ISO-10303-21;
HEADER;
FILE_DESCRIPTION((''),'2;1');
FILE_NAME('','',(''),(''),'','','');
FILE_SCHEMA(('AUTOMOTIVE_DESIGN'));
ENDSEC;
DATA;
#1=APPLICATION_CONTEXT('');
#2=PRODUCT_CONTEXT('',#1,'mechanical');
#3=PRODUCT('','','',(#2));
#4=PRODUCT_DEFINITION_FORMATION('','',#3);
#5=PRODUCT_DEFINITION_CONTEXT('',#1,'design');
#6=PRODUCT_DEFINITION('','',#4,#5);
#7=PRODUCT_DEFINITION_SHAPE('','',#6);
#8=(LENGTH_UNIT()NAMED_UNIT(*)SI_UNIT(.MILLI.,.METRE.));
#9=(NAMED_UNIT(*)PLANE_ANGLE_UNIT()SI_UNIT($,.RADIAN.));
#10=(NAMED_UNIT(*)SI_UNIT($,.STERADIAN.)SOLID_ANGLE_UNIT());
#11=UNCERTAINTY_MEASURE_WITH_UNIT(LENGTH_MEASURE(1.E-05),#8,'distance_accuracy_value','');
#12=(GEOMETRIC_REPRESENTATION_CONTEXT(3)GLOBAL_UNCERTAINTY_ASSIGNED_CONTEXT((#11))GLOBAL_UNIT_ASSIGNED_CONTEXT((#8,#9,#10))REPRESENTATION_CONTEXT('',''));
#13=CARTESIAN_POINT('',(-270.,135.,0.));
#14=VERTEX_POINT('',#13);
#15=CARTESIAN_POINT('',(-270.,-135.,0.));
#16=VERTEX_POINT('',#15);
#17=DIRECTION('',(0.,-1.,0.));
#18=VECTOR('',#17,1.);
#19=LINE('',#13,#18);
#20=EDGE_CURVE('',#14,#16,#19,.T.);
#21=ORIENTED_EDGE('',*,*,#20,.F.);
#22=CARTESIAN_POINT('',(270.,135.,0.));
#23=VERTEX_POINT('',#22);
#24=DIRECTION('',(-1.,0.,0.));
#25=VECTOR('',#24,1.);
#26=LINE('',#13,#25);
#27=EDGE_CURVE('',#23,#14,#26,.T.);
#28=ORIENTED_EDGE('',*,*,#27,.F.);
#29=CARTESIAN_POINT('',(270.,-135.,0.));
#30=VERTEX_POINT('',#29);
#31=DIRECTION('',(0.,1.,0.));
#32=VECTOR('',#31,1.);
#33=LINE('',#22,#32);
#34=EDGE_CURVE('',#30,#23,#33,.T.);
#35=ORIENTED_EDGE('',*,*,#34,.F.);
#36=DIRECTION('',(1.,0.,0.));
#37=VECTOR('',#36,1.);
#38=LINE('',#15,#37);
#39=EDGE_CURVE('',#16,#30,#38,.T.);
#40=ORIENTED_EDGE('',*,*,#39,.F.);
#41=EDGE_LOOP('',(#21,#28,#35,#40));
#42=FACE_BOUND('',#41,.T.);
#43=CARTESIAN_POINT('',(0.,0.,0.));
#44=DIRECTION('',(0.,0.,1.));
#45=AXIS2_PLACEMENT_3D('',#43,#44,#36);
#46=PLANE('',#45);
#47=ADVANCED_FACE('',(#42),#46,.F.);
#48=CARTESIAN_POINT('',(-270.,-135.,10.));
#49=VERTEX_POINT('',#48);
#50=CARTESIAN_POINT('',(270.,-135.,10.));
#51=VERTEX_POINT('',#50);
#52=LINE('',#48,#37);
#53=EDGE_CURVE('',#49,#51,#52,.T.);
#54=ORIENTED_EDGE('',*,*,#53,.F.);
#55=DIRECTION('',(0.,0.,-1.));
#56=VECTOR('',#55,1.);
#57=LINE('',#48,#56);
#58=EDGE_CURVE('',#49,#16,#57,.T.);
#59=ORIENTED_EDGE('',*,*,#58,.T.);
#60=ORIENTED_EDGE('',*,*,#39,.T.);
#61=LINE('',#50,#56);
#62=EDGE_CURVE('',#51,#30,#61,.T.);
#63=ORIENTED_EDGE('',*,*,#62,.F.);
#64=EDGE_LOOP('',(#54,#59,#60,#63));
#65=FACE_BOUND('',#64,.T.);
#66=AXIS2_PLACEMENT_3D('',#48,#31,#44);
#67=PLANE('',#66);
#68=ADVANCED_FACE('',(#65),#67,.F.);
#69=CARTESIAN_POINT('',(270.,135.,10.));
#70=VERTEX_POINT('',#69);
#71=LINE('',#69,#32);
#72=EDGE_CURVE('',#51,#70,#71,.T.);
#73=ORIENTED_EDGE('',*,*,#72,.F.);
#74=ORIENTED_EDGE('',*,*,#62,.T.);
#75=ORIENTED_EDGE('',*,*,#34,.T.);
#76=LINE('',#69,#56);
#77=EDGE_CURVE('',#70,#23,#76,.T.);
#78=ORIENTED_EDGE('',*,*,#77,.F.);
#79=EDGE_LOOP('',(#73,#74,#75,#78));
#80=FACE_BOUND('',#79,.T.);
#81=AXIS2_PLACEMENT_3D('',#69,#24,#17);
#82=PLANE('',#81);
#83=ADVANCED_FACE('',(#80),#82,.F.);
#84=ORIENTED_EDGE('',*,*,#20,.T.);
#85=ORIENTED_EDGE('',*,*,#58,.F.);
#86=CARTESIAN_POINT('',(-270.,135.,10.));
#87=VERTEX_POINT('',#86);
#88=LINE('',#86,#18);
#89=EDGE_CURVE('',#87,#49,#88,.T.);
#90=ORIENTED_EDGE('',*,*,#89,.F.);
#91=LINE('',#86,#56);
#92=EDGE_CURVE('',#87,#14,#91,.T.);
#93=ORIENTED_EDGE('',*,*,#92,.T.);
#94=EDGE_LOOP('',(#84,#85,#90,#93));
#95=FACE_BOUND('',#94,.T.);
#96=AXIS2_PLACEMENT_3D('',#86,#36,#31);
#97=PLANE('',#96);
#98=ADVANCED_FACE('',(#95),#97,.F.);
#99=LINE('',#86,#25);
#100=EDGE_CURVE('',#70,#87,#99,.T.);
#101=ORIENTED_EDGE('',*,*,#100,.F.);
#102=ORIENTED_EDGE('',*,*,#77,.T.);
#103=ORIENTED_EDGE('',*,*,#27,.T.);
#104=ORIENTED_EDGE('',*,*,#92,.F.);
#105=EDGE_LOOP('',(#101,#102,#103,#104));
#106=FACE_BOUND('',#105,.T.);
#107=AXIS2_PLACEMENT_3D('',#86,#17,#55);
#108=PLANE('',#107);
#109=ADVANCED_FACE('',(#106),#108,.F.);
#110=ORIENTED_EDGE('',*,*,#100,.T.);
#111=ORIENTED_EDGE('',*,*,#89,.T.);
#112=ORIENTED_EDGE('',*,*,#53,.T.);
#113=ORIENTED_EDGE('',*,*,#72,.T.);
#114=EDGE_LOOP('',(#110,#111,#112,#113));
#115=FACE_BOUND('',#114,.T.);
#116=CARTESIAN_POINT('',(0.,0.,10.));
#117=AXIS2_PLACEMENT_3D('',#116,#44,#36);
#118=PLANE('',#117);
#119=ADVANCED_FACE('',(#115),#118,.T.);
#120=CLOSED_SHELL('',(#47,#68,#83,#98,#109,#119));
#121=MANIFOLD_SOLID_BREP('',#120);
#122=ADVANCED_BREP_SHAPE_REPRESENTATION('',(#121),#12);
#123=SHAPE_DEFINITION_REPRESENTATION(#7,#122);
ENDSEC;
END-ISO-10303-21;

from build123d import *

# Parameters (mm, degrees)
SKETCH1_W           = 540
SKETCH1_H           = 270
BOSS_EXTRUDE1_DEPTH = 10


with BuildPart() as part:
    # Sketch1 → Boss-Extrude1 (new body)
    with BuildSketch(Plane.XY):
        Rectangle(SKETCH1_W, SKETCH1_H)
    extrude(amount=BOSS_EXTRUDE1_DEPTH)


solid = part.part
